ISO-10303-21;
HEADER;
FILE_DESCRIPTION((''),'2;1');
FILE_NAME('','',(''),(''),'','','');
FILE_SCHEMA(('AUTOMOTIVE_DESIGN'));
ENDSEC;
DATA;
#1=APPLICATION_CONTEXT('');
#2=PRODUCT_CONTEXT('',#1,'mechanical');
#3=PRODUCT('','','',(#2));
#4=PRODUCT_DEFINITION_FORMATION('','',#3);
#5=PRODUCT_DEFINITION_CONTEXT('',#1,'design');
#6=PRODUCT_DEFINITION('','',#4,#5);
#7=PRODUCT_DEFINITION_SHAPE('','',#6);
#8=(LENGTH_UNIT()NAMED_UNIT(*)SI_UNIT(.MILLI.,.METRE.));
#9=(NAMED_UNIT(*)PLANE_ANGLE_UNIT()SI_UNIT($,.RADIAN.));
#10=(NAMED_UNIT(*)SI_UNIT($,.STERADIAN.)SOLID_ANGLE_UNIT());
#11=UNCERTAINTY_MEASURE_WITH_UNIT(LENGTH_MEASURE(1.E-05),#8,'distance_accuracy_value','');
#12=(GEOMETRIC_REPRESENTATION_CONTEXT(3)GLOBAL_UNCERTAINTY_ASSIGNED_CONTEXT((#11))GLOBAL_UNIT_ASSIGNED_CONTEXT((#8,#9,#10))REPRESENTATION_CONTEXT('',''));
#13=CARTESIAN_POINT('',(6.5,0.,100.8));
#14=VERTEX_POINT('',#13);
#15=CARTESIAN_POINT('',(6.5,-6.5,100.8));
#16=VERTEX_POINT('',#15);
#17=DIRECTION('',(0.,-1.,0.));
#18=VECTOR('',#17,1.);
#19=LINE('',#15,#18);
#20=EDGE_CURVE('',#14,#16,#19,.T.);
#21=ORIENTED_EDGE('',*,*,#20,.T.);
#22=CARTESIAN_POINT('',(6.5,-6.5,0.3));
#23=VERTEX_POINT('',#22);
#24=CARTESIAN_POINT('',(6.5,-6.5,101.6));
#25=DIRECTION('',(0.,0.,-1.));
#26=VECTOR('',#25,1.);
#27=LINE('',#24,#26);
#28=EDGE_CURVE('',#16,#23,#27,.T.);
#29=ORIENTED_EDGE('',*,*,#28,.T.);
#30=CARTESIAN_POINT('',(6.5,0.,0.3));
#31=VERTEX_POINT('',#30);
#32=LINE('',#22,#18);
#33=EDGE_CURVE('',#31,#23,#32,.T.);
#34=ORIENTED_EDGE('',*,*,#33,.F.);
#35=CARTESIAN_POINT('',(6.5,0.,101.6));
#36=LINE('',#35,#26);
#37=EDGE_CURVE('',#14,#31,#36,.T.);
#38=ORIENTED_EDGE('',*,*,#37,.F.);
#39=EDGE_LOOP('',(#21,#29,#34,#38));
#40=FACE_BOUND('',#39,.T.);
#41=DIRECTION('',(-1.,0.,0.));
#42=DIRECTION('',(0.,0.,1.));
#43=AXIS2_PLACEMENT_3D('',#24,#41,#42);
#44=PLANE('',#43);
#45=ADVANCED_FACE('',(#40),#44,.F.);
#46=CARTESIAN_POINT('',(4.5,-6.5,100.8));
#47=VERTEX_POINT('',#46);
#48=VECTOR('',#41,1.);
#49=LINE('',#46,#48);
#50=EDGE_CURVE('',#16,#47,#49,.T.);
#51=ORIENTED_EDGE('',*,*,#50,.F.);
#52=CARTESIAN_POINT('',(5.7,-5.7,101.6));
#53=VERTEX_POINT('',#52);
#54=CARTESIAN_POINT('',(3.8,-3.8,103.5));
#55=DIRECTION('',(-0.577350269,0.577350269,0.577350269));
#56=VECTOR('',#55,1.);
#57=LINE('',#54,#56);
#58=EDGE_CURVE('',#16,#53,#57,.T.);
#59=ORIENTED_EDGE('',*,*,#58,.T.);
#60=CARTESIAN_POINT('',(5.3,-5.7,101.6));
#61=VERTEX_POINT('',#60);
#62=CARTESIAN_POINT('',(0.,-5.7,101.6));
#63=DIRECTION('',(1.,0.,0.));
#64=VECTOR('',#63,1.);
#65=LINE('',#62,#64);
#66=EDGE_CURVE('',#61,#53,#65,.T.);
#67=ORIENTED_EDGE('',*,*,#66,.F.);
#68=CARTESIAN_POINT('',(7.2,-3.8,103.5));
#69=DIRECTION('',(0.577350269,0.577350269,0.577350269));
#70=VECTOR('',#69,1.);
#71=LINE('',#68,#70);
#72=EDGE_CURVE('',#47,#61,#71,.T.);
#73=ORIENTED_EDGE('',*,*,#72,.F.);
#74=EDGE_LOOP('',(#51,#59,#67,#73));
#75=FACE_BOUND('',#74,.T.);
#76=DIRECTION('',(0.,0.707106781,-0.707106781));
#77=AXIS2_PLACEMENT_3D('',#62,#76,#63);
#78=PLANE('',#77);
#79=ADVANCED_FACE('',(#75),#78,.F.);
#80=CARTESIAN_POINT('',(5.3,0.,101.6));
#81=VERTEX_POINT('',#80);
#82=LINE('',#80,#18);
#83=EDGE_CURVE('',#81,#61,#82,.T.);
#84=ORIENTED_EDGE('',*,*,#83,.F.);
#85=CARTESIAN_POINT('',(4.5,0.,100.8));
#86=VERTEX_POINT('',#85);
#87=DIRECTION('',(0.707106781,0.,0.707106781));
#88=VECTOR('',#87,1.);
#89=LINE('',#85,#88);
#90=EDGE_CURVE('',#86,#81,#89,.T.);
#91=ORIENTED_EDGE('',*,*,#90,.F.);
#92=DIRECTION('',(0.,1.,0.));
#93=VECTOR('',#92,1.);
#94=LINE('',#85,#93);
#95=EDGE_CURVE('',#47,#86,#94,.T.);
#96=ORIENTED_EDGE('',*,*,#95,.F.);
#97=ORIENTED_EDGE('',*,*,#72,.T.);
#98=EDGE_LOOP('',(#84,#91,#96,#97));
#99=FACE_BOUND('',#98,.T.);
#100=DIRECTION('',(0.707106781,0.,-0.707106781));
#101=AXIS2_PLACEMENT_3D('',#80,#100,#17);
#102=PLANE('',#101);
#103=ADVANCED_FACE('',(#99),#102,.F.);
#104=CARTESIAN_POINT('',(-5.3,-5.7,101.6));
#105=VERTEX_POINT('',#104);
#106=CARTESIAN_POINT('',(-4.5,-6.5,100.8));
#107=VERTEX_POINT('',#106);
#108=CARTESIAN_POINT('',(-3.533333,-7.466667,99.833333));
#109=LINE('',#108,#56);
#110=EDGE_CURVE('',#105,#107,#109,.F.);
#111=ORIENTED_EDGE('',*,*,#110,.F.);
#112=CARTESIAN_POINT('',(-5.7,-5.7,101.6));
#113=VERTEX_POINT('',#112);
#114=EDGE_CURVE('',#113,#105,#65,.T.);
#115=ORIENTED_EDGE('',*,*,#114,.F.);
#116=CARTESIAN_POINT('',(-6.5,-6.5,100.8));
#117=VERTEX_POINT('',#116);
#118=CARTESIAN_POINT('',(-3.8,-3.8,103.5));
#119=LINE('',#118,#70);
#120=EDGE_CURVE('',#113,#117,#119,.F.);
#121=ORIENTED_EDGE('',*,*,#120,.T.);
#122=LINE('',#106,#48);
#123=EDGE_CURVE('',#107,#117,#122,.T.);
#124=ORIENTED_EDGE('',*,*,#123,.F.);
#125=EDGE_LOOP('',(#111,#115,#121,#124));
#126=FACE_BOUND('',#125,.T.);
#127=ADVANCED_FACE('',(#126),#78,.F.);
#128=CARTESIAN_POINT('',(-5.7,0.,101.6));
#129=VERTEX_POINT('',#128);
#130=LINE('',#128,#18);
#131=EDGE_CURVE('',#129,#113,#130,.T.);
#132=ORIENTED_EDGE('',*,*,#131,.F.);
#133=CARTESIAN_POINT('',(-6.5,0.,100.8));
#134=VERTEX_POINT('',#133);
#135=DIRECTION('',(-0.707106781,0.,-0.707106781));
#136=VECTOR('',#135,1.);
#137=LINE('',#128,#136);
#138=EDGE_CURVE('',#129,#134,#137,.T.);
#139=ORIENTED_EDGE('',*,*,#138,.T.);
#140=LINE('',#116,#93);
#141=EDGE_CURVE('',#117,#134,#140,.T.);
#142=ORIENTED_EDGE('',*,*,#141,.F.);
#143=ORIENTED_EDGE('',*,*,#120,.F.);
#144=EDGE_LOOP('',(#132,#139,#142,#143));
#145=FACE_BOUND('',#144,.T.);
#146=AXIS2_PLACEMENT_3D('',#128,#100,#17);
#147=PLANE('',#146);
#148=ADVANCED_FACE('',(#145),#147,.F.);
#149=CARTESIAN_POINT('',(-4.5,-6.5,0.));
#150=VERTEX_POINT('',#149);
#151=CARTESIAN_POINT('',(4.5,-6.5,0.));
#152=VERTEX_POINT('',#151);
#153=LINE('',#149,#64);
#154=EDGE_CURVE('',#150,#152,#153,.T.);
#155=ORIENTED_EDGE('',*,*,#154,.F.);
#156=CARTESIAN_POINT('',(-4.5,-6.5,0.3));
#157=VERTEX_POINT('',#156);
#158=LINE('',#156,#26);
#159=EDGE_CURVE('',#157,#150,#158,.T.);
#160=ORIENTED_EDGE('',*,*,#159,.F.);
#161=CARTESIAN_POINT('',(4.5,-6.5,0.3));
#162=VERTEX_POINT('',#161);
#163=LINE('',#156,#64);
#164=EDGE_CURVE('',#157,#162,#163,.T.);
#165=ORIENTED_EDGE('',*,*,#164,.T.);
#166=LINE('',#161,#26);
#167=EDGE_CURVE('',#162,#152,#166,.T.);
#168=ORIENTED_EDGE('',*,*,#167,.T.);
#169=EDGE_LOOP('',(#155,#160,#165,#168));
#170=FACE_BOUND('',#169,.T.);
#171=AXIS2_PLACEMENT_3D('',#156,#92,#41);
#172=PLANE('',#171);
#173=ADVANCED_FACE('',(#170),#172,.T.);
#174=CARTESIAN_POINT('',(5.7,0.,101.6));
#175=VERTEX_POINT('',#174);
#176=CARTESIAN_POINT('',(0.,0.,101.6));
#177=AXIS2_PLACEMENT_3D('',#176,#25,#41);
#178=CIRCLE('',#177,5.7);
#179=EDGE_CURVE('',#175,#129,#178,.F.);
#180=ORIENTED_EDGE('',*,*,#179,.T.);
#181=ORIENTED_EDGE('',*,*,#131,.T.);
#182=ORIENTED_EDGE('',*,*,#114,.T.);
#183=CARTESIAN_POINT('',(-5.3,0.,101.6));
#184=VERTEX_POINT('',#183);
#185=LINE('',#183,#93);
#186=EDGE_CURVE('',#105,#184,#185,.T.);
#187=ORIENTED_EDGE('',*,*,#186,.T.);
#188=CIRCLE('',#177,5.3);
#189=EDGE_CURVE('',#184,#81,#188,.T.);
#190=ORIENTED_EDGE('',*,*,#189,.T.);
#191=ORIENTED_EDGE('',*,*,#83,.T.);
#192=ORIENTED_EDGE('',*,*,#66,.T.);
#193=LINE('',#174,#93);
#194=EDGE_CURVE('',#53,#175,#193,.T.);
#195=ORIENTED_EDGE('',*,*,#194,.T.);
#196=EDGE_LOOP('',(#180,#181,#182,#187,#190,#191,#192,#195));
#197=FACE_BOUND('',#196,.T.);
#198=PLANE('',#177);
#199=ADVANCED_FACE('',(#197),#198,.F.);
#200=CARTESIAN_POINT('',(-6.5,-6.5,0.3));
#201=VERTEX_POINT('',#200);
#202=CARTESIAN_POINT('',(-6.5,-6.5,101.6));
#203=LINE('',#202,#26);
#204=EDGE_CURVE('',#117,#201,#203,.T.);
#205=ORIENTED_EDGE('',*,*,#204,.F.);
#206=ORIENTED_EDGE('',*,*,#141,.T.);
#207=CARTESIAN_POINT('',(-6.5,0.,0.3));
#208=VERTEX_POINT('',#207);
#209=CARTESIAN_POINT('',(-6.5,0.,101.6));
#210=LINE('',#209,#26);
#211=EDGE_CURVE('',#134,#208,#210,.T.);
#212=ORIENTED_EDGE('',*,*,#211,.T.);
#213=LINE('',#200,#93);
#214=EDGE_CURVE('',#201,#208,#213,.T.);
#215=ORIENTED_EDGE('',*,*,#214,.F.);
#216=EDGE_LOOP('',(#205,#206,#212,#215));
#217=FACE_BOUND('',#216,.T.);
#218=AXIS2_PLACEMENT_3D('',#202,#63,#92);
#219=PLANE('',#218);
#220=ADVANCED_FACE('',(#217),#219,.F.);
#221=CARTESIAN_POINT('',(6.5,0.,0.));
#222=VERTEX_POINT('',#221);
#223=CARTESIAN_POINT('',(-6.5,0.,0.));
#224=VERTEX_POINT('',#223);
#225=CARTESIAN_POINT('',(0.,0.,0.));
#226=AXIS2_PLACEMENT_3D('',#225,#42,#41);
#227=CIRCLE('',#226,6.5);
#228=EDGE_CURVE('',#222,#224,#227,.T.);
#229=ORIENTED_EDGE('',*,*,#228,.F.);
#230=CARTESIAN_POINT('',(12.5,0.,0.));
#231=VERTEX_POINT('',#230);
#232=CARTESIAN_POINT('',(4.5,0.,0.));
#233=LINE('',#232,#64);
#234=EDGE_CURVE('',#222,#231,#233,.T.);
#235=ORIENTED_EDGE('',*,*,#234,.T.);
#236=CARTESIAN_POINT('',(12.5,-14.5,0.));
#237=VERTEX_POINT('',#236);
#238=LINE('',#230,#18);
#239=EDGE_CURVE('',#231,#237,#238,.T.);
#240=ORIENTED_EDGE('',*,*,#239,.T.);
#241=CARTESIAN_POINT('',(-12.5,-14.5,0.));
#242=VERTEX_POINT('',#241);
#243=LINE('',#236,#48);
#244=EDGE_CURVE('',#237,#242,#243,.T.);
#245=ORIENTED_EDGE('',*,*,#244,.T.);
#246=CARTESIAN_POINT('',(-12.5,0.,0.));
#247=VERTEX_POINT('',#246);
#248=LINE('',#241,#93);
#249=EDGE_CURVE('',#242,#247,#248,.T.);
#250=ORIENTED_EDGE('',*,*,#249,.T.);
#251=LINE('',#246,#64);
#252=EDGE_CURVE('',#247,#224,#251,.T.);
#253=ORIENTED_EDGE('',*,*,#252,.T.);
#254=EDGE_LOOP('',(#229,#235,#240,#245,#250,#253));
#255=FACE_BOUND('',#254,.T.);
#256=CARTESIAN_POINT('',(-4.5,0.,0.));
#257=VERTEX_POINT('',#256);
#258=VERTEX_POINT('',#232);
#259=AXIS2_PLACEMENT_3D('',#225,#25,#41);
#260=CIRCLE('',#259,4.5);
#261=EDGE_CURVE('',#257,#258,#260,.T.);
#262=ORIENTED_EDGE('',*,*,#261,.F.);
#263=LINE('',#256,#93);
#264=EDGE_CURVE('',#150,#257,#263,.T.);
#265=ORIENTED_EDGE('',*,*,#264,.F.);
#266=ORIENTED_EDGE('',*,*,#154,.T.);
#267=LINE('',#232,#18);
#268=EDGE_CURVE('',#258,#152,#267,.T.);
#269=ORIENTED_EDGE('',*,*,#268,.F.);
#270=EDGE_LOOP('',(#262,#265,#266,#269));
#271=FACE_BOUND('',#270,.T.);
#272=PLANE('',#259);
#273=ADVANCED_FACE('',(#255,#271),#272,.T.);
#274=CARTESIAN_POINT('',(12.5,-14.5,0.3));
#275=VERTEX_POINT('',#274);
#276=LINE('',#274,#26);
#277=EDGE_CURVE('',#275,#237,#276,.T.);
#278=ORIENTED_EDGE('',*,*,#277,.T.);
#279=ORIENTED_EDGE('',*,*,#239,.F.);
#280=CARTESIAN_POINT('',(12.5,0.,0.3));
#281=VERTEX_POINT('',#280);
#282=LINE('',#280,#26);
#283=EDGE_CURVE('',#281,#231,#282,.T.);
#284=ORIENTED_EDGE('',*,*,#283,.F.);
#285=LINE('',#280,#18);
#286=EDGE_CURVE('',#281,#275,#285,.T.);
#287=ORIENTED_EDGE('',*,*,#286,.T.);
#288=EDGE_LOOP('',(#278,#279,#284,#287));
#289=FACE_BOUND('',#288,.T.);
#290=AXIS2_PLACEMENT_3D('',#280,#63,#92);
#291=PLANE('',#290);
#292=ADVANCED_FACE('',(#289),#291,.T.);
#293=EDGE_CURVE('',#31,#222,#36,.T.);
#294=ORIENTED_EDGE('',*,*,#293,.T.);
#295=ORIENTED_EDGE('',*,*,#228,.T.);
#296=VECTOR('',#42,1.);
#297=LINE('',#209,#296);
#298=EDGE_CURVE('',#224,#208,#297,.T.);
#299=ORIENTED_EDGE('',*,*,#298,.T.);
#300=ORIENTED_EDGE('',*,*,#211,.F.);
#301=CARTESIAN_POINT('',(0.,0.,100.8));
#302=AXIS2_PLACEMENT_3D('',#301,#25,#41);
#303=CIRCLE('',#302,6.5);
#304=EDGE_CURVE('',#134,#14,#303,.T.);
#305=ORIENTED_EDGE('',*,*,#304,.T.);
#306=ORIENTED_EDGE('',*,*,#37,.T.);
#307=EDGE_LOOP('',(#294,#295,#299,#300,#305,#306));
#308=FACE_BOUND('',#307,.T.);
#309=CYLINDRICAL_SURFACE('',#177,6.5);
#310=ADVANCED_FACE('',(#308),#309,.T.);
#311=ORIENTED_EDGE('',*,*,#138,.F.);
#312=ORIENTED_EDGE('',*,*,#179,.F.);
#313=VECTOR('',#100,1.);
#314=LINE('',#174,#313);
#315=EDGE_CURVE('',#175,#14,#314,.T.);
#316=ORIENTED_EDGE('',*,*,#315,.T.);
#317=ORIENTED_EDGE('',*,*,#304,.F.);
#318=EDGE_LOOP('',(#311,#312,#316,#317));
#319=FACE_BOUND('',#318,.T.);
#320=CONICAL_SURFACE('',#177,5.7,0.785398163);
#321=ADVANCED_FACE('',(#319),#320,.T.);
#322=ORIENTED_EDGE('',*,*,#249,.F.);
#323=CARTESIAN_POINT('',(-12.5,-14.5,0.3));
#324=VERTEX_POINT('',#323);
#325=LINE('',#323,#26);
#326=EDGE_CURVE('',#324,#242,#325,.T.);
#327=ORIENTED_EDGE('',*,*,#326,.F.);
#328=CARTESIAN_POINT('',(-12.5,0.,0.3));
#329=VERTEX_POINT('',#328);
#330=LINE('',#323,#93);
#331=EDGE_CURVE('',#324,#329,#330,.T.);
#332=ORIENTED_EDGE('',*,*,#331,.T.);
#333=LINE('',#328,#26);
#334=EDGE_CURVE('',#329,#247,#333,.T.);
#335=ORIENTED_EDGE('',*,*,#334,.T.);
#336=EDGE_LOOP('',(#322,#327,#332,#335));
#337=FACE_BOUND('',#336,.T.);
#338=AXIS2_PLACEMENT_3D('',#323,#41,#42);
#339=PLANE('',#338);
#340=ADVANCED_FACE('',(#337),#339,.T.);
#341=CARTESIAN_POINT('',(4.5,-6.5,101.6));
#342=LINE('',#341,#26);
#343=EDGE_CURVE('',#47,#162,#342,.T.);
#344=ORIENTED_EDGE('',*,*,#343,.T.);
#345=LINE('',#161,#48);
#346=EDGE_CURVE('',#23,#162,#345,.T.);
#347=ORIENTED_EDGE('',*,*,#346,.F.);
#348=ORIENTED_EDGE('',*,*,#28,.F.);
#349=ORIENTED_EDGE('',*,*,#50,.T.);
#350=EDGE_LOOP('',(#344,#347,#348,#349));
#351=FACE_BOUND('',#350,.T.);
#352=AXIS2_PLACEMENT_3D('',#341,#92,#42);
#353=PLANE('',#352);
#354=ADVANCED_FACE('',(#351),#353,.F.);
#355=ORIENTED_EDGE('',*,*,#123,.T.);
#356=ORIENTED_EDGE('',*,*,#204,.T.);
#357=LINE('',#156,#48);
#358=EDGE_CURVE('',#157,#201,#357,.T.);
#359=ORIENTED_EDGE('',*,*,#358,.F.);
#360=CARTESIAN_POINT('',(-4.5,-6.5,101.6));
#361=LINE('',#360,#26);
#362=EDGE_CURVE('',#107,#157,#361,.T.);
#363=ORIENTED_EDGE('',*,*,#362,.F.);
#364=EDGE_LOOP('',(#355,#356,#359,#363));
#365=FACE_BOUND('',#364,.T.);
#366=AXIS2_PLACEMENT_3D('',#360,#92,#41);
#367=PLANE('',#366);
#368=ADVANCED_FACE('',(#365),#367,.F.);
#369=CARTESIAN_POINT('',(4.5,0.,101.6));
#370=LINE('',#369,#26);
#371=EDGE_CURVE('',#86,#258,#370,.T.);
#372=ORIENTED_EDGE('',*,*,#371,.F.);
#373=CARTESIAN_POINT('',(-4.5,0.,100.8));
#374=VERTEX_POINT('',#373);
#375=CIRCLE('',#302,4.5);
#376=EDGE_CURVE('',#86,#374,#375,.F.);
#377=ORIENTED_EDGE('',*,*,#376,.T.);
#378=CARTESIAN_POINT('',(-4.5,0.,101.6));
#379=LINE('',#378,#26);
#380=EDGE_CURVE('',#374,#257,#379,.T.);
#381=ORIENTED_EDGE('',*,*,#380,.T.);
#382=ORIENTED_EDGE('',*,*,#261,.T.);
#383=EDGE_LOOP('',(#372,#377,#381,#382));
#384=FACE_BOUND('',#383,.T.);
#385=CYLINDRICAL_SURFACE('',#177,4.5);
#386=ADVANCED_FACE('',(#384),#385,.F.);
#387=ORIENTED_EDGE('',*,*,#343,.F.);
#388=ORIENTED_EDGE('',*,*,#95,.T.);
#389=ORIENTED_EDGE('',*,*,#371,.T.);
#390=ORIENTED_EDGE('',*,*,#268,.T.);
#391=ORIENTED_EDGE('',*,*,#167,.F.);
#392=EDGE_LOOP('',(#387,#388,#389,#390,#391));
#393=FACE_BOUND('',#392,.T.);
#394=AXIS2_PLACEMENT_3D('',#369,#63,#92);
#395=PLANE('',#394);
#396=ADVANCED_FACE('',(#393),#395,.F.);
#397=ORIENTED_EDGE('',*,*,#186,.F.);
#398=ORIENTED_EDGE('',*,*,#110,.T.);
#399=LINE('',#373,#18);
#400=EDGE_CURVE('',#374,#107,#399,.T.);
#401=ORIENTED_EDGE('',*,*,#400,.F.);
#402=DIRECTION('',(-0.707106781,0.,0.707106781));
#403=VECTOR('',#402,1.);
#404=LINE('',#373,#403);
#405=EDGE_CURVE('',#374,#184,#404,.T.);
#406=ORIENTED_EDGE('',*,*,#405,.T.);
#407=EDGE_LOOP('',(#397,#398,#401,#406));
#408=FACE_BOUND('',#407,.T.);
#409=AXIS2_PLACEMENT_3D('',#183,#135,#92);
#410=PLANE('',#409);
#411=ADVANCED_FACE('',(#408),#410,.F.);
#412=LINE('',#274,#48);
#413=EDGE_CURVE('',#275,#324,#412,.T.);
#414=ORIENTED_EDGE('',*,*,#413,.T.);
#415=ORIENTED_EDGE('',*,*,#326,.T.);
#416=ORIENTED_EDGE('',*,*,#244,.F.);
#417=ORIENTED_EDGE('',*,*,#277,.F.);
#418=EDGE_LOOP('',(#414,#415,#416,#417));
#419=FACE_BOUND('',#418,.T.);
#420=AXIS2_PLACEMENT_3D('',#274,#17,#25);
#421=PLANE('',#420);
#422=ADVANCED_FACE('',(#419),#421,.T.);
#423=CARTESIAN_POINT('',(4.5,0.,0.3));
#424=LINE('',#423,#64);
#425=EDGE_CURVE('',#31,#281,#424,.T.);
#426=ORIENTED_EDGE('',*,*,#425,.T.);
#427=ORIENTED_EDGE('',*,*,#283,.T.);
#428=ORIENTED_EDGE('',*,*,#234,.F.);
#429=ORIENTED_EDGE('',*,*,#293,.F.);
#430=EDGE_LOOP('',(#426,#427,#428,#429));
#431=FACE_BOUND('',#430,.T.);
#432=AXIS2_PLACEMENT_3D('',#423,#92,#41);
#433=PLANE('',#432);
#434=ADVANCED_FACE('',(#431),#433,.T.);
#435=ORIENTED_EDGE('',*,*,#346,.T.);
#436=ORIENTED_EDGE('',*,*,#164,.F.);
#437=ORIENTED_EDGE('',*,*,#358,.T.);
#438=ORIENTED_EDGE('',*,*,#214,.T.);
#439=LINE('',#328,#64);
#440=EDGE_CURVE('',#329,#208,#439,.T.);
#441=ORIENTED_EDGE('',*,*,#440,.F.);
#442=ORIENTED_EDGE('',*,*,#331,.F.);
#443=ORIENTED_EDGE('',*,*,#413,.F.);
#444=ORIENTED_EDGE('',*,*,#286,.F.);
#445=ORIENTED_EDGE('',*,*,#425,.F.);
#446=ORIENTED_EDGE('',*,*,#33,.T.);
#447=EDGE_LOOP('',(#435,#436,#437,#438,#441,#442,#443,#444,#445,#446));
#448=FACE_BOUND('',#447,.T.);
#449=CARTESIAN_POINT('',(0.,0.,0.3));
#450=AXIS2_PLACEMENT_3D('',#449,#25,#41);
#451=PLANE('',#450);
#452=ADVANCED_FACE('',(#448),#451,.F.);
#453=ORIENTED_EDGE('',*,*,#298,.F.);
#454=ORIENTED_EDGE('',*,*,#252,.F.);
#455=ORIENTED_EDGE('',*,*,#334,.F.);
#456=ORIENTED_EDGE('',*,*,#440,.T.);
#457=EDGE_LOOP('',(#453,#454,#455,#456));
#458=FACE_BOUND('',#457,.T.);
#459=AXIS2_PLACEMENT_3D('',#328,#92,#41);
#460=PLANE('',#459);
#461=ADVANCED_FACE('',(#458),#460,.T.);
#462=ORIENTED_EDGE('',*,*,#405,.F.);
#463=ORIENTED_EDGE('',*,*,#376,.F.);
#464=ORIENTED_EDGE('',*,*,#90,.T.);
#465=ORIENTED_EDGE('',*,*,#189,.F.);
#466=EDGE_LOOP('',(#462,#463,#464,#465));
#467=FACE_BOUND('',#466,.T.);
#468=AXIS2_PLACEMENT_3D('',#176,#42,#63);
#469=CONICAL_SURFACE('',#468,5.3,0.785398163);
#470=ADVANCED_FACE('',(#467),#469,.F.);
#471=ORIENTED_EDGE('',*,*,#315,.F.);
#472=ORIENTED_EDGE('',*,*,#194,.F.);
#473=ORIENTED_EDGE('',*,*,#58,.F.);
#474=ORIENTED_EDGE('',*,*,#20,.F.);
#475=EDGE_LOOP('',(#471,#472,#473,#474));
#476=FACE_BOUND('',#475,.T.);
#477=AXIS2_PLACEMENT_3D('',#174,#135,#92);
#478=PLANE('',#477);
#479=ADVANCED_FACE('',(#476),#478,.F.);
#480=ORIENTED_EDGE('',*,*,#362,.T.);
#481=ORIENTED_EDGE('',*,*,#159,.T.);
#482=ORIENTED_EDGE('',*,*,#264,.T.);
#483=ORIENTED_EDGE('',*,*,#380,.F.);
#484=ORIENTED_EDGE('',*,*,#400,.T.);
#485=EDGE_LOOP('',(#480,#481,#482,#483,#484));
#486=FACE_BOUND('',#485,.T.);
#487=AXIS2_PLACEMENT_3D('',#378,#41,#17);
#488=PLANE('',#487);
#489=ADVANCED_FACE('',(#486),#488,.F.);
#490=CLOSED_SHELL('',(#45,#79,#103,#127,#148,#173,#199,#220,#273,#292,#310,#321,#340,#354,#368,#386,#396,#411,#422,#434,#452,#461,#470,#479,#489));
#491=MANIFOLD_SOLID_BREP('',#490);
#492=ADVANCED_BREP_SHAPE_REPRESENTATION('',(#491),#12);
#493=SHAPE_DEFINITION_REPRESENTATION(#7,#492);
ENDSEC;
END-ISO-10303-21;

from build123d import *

# Parameters (mm, degrees)
BOSS_EXTRUDE1_DEPTH = 101.6
BOSS_EXTRUDE2_DEPTH = 0.3
CHAMFER1_SIZE       = 0.8


with BuildPart() as part:
    # Sketch1 → Boss-Extrude1 (new body)
    with BuildSketch(Plane.XY):
        with BuildLine():
            Line((-4.5, 0), (-4.5, -6.5))
            Line((-4.5, -6.5), (-6.5, -6.5))
            Line((-6.5, -6.5), (-6.5, 0))
            ThreePointArc((-6.5, 0), (0, 6.5), (6.5, 0))
            Line((6.5, 0), (6.5, -6.5))
            Line((6.5, -6.5), (4.5, -6.5))
            Line((4.5, -6.5), (4.5, 0))
            ThreePointArc((4.5, 0), (0, 4.5), (-4.5, 0))
        make_face()
    extrude(amount=BOSS_EXTRUDE1_DEPTH)

    # Sketch2 → Boss-Extrude2 (add)
    with BuildSketch(Plane(origin=(0, 0, 0), x_dir=(-1, 0, 0), z_dir=(0, 0, -1))):
        Polygon((4.5, 0), (4.5, -6.5), (-4.5, -6.5), (-4.5, 0), (-12.5, 0), (-12.5, -14.5), (12.5, -14.5), (12.5, 0), align=None)
    extrude(amount=-BOSS_EXTRUDE2_DEPTH)

    # Chamfer1
    chamfer1_edges = [part.edges().sort_by_distance(p)[0] for p in [
        (5.5, -6.5, 101.6),
        (6.5, -3.25, 101.6),
        (0, 6.5, 101.6),
        (-6.5, -3.25, 101.6),
        (-5.5, -6.5, 101.6),
        (-4.5, -3.25, 101.6),
        (0, 4.5, 101.6),
        (4.5, -3.25, 101.6),
    ]]
    chamfer(chamfer1_edges, length=CHAMFER1_SIZE)


solid = part.part
